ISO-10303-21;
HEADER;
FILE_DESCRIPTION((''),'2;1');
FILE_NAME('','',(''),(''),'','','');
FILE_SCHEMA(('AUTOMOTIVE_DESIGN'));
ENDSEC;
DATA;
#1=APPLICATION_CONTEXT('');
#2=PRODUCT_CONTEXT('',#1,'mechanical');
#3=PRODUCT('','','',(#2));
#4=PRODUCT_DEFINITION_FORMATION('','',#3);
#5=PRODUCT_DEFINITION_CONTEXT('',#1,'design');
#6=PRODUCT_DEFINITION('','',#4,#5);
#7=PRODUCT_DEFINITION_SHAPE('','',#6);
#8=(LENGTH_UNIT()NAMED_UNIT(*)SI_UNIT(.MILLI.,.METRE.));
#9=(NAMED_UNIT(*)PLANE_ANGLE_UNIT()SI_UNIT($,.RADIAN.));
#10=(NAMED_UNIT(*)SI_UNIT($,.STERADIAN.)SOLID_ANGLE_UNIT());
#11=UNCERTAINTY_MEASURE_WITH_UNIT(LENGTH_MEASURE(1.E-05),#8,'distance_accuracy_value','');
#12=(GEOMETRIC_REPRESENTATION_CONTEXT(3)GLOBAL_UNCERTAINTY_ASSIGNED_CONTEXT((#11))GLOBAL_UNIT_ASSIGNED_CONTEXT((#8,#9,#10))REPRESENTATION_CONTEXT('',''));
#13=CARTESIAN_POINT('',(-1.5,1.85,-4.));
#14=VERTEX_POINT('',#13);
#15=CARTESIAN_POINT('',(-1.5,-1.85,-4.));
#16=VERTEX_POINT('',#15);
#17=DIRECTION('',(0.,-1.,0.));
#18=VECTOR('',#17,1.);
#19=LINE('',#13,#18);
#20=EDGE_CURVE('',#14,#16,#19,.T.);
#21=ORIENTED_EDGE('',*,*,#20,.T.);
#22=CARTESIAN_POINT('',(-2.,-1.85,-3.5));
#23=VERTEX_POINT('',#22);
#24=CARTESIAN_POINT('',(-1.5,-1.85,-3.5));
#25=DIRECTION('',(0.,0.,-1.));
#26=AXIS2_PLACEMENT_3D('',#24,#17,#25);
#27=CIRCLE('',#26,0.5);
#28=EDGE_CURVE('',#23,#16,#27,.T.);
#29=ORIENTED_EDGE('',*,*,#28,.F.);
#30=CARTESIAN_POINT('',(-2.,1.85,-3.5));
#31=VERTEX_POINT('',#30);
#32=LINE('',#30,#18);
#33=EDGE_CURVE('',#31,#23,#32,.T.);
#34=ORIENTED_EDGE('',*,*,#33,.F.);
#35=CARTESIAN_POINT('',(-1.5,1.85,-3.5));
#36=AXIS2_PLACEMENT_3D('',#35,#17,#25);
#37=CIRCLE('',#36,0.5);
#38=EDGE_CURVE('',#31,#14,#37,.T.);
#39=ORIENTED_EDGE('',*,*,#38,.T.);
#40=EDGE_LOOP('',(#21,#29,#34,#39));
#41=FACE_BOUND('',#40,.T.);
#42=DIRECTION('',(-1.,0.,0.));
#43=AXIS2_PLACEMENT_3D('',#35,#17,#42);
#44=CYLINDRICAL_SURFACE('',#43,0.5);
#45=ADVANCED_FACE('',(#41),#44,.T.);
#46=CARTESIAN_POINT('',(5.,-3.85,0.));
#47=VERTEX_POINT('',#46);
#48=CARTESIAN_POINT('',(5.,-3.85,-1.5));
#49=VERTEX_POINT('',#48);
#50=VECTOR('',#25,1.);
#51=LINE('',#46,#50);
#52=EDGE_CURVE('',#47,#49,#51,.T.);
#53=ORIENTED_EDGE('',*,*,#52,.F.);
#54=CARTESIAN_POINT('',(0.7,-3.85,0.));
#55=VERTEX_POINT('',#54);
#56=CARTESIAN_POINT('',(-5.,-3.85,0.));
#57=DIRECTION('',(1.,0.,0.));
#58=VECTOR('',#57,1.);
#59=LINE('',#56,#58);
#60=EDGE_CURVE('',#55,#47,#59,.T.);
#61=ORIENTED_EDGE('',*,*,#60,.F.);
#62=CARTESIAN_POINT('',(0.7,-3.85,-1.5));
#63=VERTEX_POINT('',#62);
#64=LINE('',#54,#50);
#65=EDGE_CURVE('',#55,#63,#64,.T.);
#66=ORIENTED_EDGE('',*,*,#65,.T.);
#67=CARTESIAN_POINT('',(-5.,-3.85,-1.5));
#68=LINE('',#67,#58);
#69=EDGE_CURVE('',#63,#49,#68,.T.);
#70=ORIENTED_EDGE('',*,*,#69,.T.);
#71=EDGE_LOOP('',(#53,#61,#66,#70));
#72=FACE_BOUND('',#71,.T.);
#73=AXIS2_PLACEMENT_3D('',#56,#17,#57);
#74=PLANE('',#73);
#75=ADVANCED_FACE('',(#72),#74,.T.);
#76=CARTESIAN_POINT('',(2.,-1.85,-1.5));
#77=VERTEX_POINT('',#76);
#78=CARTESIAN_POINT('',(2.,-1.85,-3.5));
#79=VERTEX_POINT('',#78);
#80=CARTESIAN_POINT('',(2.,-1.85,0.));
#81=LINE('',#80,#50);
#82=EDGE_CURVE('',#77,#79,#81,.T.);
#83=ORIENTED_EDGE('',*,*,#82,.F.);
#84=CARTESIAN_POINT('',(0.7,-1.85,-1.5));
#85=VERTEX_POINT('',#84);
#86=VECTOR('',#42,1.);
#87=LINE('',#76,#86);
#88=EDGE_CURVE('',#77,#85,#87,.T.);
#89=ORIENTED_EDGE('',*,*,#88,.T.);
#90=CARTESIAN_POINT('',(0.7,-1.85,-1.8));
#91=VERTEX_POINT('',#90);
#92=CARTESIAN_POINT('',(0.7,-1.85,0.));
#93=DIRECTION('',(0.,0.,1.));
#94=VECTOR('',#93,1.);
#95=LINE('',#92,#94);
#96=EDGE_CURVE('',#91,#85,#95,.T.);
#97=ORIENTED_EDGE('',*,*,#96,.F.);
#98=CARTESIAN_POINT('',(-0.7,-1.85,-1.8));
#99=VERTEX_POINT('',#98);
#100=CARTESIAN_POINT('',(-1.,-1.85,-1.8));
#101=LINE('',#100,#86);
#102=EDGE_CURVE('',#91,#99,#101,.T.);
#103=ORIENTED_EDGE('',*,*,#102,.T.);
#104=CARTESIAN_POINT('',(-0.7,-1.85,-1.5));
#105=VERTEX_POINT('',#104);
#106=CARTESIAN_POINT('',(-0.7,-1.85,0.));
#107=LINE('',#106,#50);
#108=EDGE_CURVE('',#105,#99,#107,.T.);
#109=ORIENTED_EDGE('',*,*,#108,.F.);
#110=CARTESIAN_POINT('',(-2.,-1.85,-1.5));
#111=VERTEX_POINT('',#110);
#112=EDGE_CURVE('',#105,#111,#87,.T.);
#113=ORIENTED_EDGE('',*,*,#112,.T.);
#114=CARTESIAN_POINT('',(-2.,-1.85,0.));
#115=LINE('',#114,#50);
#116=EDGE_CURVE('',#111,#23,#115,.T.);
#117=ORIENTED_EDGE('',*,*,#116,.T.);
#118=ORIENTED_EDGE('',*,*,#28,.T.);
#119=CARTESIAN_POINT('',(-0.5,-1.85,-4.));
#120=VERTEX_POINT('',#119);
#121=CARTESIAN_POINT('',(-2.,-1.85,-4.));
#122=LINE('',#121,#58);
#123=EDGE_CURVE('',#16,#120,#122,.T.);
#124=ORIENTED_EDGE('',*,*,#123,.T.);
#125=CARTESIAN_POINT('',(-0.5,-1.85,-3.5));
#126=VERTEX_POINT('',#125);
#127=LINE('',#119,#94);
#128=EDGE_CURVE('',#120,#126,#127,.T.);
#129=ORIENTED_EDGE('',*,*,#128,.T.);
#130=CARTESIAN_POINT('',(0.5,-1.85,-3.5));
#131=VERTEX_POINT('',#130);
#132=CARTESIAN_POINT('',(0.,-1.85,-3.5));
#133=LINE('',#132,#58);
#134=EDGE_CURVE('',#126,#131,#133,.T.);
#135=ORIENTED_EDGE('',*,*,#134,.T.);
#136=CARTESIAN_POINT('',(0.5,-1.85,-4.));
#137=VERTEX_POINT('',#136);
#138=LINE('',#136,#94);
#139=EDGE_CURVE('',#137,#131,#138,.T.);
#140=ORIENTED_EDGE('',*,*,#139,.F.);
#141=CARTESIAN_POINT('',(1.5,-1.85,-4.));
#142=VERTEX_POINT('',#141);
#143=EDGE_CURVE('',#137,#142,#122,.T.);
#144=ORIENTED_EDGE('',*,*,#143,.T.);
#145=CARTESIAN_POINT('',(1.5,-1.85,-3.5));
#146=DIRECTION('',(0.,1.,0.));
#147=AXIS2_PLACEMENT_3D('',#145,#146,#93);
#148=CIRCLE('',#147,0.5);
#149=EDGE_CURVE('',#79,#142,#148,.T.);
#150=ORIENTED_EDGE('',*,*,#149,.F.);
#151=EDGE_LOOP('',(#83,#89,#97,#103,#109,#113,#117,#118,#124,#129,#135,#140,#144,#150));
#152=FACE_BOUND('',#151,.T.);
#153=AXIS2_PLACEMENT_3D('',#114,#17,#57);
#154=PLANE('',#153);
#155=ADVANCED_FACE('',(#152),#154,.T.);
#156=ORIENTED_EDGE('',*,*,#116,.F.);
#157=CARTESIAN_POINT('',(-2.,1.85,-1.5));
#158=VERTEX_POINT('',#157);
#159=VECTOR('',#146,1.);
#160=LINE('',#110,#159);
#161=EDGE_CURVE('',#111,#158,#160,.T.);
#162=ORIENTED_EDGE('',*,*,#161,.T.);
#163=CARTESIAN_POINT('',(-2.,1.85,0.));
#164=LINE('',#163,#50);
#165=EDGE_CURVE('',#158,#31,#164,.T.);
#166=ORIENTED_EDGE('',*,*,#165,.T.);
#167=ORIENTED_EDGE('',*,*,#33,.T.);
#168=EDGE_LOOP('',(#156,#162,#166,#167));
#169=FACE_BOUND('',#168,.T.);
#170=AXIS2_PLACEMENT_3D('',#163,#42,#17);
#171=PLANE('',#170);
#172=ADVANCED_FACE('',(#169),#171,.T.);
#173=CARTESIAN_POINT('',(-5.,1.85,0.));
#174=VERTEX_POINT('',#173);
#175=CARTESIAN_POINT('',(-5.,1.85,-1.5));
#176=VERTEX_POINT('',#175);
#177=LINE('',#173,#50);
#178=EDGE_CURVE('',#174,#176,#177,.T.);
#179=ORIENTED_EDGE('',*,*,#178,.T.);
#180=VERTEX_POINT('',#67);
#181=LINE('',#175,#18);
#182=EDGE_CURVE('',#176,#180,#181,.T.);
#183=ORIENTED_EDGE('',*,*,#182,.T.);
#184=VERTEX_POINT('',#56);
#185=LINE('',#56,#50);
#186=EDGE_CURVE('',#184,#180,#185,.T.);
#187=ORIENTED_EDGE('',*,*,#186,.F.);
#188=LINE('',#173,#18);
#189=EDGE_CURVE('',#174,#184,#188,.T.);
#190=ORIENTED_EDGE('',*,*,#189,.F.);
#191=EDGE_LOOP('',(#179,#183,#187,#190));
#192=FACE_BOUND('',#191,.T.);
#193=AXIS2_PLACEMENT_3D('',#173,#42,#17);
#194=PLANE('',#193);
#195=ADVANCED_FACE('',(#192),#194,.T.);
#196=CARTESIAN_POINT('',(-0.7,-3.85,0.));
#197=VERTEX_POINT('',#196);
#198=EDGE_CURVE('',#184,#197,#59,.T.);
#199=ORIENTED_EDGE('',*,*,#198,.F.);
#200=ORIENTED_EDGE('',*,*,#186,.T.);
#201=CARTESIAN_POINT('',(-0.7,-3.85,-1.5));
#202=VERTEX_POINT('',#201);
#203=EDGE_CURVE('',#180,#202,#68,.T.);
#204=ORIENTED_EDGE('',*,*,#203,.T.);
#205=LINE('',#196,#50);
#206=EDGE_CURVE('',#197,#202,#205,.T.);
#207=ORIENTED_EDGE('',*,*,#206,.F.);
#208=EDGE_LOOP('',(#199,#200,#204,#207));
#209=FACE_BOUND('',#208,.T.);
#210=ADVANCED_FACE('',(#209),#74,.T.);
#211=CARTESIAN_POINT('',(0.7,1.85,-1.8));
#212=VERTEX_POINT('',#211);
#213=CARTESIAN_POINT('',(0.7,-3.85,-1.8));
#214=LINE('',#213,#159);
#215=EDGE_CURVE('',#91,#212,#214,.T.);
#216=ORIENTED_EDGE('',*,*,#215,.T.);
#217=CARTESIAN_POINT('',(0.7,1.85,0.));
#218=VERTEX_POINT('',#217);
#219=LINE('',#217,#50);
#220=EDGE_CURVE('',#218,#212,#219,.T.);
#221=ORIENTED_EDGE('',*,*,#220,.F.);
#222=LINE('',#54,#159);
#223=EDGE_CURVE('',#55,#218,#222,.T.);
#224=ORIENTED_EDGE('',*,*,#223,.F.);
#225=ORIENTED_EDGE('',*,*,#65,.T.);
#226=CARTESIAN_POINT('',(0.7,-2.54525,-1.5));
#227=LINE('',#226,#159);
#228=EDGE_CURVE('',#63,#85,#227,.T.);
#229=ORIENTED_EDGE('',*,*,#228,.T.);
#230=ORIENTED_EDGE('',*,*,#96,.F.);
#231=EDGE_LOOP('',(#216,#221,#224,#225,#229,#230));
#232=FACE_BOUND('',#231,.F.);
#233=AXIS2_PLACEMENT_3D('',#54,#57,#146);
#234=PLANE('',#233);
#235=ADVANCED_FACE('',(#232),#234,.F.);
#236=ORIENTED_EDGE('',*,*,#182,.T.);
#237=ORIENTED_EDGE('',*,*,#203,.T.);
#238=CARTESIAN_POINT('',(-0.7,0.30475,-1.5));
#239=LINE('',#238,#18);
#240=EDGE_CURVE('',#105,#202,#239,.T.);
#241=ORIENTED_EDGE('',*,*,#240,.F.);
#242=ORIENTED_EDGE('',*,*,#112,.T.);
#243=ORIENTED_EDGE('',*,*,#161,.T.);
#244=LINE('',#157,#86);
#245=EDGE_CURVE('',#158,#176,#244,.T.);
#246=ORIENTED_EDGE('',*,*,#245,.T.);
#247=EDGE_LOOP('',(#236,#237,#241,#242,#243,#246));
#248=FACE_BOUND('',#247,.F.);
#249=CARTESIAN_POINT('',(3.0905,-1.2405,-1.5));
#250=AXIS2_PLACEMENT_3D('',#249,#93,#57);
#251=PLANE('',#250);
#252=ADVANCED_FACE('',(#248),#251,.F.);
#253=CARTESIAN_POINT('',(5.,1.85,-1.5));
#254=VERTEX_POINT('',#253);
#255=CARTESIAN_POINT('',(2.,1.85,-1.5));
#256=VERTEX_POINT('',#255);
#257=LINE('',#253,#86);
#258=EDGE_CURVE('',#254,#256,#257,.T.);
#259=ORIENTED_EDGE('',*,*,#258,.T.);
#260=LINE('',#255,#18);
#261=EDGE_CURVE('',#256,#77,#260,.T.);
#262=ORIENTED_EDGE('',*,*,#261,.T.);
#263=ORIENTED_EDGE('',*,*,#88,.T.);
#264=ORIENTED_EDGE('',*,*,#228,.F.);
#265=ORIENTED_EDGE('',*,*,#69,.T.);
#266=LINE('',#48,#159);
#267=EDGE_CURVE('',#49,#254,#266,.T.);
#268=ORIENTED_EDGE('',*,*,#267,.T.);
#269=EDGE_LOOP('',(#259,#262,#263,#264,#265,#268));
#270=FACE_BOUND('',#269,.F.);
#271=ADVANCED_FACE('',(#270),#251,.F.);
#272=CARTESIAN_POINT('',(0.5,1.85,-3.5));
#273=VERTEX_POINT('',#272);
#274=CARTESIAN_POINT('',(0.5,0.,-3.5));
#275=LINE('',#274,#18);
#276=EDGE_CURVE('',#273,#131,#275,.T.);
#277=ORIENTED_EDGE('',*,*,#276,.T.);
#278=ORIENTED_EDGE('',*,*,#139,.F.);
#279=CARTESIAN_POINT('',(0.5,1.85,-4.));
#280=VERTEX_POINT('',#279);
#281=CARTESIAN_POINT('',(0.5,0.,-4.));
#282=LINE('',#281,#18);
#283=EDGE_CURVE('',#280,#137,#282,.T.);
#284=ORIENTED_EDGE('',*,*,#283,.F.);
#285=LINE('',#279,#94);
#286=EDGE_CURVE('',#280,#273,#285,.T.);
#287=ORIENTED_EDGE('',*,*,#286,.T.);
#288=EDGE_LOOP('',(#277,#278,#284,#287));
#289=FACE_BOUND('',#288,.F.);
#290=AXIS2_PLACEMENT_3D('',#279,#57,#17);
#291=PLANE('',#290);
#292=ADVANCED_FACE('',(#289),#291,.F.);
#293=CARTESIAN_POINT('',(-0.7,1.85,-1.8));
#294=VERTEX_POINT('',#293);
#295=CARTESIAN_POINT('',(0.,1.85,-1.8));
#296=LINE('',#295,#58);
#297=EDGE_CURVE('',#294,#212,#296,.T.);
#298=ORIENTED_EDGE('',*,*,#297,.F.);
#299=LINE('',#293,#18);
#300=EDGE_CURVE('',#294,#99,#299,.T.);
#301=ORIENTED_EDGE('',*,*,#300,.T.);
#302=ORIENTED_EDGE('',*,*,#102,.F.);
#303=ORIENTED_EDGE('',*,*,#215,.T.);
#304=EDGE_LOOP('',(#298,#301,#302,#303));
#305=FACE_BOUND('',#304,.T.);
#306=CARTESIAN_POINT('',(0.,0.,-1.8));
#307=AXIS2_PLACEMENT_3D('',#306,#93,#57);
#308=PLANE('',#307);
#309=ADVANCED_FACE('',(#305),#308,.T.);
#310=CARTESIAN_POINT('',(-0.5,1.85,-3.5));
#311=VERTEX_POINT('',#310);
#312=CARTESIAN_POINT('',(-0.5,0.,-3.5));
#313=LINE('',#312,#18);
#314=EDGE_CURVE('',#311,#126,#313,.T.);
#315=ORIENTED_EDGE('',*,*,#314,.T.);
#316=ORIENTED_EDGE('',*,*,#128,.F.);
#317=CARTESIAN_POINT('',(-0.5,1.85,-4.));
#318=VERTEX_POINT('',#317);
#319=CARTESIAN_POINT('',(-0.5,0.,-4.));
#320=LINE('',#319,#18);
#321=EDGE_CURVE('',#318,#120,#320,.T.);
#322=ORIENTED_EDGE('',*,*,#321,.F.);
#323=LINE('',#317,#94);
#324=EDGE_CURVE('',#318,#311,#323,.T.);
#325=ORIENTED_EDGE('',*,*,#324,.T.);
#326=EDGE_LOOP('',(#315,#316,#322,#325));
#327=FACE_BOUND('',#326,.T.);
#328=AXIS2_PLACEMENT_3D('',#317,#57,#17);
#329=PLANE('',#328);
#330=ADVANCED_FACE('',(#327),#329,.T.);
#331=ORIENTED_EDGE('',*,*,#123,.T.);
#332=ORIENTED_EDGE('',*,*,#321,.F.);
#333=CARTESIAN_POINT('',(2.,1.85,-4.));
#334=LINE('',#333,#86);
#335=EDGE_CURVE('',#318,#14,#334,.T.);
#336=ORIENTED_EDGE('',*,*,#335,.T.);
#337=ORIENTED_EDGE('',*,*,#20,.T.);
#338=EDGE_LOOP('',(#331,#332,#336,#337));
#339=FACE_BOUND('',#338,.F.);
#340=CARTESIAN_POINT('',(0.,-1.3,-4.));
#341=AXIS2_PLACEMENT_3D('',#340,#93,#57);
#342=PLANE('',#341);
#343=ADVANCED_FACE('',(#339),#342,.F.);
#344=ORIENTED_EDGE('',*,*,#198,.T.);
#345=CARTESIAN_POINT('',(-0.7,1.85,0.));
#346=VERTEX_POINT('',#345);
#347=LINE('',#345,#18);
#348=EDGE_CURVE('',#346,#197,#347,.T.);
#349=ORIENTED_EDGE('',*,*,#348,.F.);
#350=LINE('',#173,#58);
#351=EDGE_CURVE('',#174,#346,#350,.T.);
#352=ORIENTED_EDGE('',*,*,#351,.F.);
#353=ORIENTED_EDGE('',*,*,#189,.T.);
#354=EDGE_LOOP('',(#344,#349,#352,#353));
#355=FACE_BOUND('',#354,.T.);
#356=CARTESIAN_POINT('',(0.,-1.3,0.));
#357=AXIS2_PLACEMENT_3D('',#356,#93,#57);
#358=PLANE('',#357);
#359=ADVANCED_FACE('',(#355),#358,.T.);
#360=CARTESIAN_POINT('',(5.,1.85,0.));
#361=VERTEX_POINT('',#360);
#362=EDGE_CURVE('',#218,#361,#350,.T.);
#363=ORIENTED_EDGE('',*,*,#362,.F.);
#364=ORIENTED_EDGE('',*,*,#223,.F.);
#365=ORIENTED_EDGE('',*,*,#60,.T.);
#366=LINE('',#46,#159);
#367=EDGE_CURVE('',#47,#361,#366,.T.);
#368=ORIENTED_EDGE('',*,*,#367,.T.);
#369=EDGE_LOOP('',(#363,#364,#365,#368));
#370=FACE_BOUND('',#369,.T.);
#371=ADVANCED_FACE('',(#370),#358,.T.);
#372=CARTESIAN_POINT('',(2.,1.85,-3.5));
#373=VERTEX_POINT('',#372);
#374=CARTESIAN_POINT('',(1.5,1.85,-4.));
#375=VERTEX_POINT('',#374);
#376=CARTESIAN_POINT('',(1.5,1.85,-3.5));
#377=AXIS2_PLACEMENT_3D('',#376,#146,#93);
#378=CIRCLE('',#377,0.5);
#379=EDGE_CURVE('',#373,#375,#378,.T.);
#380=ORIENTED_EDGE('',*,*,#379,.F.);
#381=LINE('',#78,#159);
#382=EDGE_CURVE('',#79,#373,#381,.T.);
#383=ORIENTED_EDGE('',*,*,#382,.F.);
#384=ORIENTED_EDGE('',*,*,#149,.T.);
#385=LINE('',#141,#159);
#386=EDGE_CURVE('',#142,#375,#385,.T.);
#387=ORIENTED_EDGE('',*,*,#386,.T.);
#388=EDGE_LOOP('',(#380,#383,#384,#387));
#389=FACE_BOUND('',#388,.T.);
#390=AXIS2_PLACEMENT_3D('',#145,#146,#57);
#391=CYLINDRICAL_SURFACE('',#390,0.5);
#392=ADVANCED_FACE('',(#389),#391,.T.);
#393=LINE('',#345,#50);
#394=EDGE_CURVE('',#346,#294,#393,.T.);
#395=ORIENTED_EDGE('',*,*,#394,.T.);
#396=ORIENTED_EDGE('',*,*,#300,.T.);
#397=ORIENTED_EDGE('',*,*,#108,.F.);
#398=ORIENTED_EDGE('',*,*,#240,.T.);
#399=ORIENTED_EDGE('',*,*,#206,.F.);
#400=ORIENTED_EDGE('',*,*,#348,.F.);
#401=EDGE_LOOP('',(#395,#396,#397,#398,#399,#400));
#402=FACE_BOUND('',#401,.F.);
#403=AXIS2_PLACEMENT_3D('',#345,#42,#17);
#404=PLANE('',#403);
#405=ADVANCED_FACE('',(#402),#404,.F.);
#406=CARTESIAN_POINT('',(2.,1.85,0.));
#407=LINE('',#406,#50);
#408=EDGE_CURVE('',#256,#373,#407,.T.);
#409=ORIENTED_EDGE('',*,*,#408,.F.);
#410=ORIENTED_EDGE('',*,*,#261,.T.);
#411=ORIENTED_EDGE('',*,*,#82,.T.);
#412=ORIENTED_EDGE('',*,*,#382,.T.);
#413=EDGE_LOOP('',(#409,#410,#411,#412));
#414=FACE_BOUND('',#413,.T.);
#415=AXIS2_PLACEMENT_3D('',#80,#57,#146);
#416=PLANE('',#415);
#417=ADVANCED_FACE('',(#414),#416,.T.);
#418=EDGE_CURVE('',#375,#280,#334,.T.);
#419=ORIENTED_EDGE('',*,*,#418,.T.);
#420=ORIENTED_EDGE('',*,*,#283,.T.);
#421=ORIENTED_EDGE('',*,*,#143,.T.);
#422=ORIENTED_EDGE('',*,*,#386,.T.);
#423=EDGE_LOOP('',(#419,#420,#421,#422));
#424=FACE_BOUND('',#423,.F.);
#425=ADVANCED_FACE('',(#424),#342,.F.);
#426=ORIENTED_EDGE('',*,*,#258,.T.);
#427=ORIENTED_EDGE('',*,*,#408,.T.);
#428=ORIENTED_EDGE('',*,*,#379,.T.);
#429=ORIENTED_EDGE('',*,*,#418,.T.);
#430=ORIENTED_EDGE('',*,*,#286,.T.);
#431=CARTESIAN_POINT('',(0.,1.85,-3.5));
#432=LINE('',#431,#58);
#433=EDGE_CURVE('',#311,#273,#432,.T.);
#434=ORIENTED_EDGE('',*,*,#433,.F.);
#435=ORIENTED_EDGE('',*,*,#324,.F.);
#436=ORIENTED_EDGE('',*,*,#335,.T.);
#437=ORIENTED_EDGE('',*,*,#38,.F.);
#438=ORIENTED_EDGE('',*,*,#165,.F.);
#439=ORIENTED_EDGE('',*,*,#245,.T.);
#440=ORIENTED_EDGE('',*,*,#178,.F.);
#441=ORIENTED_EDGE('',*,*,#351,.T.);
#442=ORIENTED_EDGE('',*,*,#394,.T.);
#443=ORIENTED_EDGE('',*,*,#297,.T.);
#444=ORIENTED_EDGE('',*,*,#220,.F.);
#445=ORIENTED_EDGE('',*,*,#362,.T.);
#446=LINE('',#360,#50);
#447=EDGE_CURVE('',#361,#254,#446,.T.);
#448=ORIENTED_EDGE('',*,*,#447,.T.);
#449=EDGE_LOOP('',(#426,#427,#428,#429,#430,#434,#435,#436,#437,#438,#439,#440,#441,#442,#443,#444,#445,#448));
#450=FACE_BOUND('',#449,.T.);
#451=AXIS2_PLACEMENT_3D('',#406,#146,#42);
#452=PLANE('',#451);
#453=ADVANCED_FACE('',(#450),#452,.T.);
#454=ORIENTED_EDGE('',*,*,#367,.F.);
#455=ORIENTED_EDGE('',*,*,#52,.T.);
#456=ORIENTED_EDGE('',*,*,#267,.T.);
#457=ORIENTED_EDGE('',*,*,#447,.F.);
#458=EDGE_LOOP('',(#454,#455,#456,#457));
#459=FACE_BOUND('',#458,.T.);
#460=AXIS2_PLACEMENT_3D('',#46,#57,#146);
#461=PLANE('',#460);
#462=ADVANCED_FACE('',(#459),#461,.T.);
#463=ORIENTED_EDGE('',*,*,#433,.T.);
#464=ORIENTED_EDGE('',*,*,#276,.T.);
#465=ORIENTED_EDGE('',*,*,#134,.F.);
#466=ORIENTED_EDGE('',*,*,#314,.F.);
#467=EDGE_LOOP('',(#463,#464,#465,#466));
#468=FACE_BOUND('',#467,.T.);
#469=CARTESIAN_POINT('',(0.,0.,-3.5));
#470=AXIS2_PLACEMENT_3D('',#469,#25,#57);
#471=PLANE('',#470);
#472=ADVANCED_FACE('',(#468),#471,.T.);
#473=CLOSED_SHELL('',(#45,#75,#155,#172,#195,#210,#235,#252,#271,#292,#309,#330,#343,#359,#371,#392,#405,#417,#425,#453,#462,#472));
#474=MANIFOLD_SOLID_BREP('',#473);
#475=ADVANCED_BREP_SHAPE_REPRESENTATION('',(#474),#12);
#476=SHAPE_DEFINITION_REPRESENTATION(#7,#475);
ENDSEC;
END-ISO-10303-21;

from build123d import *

# Parameters (mm, degrees)
F0_W     = 1.4
F0_H     = 2
F1_DEPTH = 1.5
F0_H_2   = 1.1
F0_H_3   = 1.5
F2_DEPTH = 4
F3_DEPTH = 1.8
F4_W     = 1
F4_H     = 3.7
F5_DEPTH = 0.5
F6_R     = 0.5


with BuildPart() as f1:
    # F0 (on Top) → F1 (new body)
    with BuildSketch(Plane.XY):
        Polygon((2, -1.85), (0.7, -1.85), (0.7, -3.85), (5, -3.85), (5, 1.85), (2, 1.85), align=None)
        with Locations((0, -2.85)):
            Rectangle(F0_W, F0_H)
        Polygon((-0.7, -3.85), (-0.7, -1.85), (-2, -1.85), (-2, 1.85), (-5, 1.85), (-5, -3.85), align=None)
    extrude(amount=-F1_DEPTH)

    # F0 (on Top) → F2 (join)
    with BuildSketch(Plane.XY):
        with Locations((0, -1.3)):
            Rectangle(F0_W, F0_H_2)
        Rectangle(F0_W, F0_H_3)
        Polygon((-0.7, -1.85), (-0.7, -0.75), (-0.7, 0.75), (-0.7, 1.85), (-2, 1.85), (-2, -1.85), align=None)
        with Locations((0, 1.3)):
            Rectangle(F0_W, F0_H_2)
        Polygon((0.7, 0.75), (0.7, -0.75), (0.7, -1.85), (2, -1.85), (2, 1.85), (0.7, 1.85), align=None)
    extrude(amount=-F2_DEPTH)

    # F0 (on Top) → F3 (cut)
    with BuildSketch(Plane.XY):
        Rectangle(F0_W, F0_H_3)
        with Locations((0, 1.3)):
            Rectangle(F0_W, F0_H_2)
        with Locations((0, -1.3)):
            Rectangle(F0_W, F0_H_2)
        with Locations((0, -2.85)):
            Rectangle(F0_W, F0_H)
    extrude(amount=-F3_DEPTH, mode=Mode.SUBTRACT)

    # F4 (on face) → F5 (cut)
    with BuildSketch(Plane(origin=(0, 0, -4), x_dir=(1, 0, 0), z_dir=(0, 0, -1))):
        Rectangle(F4_W, F4_H)
    extrude(amount=-F5_DEPTH, mode=Mode.SUBTRACT)

    # F6
    f6_edges = [f1.edges().sort_by_distance(p)[0] for p in [
        (-2, 0, -4),
        (2, 0, -4),
    ]]
    fillet(f6_edges, radius=F6_R)


solid = f1.part
